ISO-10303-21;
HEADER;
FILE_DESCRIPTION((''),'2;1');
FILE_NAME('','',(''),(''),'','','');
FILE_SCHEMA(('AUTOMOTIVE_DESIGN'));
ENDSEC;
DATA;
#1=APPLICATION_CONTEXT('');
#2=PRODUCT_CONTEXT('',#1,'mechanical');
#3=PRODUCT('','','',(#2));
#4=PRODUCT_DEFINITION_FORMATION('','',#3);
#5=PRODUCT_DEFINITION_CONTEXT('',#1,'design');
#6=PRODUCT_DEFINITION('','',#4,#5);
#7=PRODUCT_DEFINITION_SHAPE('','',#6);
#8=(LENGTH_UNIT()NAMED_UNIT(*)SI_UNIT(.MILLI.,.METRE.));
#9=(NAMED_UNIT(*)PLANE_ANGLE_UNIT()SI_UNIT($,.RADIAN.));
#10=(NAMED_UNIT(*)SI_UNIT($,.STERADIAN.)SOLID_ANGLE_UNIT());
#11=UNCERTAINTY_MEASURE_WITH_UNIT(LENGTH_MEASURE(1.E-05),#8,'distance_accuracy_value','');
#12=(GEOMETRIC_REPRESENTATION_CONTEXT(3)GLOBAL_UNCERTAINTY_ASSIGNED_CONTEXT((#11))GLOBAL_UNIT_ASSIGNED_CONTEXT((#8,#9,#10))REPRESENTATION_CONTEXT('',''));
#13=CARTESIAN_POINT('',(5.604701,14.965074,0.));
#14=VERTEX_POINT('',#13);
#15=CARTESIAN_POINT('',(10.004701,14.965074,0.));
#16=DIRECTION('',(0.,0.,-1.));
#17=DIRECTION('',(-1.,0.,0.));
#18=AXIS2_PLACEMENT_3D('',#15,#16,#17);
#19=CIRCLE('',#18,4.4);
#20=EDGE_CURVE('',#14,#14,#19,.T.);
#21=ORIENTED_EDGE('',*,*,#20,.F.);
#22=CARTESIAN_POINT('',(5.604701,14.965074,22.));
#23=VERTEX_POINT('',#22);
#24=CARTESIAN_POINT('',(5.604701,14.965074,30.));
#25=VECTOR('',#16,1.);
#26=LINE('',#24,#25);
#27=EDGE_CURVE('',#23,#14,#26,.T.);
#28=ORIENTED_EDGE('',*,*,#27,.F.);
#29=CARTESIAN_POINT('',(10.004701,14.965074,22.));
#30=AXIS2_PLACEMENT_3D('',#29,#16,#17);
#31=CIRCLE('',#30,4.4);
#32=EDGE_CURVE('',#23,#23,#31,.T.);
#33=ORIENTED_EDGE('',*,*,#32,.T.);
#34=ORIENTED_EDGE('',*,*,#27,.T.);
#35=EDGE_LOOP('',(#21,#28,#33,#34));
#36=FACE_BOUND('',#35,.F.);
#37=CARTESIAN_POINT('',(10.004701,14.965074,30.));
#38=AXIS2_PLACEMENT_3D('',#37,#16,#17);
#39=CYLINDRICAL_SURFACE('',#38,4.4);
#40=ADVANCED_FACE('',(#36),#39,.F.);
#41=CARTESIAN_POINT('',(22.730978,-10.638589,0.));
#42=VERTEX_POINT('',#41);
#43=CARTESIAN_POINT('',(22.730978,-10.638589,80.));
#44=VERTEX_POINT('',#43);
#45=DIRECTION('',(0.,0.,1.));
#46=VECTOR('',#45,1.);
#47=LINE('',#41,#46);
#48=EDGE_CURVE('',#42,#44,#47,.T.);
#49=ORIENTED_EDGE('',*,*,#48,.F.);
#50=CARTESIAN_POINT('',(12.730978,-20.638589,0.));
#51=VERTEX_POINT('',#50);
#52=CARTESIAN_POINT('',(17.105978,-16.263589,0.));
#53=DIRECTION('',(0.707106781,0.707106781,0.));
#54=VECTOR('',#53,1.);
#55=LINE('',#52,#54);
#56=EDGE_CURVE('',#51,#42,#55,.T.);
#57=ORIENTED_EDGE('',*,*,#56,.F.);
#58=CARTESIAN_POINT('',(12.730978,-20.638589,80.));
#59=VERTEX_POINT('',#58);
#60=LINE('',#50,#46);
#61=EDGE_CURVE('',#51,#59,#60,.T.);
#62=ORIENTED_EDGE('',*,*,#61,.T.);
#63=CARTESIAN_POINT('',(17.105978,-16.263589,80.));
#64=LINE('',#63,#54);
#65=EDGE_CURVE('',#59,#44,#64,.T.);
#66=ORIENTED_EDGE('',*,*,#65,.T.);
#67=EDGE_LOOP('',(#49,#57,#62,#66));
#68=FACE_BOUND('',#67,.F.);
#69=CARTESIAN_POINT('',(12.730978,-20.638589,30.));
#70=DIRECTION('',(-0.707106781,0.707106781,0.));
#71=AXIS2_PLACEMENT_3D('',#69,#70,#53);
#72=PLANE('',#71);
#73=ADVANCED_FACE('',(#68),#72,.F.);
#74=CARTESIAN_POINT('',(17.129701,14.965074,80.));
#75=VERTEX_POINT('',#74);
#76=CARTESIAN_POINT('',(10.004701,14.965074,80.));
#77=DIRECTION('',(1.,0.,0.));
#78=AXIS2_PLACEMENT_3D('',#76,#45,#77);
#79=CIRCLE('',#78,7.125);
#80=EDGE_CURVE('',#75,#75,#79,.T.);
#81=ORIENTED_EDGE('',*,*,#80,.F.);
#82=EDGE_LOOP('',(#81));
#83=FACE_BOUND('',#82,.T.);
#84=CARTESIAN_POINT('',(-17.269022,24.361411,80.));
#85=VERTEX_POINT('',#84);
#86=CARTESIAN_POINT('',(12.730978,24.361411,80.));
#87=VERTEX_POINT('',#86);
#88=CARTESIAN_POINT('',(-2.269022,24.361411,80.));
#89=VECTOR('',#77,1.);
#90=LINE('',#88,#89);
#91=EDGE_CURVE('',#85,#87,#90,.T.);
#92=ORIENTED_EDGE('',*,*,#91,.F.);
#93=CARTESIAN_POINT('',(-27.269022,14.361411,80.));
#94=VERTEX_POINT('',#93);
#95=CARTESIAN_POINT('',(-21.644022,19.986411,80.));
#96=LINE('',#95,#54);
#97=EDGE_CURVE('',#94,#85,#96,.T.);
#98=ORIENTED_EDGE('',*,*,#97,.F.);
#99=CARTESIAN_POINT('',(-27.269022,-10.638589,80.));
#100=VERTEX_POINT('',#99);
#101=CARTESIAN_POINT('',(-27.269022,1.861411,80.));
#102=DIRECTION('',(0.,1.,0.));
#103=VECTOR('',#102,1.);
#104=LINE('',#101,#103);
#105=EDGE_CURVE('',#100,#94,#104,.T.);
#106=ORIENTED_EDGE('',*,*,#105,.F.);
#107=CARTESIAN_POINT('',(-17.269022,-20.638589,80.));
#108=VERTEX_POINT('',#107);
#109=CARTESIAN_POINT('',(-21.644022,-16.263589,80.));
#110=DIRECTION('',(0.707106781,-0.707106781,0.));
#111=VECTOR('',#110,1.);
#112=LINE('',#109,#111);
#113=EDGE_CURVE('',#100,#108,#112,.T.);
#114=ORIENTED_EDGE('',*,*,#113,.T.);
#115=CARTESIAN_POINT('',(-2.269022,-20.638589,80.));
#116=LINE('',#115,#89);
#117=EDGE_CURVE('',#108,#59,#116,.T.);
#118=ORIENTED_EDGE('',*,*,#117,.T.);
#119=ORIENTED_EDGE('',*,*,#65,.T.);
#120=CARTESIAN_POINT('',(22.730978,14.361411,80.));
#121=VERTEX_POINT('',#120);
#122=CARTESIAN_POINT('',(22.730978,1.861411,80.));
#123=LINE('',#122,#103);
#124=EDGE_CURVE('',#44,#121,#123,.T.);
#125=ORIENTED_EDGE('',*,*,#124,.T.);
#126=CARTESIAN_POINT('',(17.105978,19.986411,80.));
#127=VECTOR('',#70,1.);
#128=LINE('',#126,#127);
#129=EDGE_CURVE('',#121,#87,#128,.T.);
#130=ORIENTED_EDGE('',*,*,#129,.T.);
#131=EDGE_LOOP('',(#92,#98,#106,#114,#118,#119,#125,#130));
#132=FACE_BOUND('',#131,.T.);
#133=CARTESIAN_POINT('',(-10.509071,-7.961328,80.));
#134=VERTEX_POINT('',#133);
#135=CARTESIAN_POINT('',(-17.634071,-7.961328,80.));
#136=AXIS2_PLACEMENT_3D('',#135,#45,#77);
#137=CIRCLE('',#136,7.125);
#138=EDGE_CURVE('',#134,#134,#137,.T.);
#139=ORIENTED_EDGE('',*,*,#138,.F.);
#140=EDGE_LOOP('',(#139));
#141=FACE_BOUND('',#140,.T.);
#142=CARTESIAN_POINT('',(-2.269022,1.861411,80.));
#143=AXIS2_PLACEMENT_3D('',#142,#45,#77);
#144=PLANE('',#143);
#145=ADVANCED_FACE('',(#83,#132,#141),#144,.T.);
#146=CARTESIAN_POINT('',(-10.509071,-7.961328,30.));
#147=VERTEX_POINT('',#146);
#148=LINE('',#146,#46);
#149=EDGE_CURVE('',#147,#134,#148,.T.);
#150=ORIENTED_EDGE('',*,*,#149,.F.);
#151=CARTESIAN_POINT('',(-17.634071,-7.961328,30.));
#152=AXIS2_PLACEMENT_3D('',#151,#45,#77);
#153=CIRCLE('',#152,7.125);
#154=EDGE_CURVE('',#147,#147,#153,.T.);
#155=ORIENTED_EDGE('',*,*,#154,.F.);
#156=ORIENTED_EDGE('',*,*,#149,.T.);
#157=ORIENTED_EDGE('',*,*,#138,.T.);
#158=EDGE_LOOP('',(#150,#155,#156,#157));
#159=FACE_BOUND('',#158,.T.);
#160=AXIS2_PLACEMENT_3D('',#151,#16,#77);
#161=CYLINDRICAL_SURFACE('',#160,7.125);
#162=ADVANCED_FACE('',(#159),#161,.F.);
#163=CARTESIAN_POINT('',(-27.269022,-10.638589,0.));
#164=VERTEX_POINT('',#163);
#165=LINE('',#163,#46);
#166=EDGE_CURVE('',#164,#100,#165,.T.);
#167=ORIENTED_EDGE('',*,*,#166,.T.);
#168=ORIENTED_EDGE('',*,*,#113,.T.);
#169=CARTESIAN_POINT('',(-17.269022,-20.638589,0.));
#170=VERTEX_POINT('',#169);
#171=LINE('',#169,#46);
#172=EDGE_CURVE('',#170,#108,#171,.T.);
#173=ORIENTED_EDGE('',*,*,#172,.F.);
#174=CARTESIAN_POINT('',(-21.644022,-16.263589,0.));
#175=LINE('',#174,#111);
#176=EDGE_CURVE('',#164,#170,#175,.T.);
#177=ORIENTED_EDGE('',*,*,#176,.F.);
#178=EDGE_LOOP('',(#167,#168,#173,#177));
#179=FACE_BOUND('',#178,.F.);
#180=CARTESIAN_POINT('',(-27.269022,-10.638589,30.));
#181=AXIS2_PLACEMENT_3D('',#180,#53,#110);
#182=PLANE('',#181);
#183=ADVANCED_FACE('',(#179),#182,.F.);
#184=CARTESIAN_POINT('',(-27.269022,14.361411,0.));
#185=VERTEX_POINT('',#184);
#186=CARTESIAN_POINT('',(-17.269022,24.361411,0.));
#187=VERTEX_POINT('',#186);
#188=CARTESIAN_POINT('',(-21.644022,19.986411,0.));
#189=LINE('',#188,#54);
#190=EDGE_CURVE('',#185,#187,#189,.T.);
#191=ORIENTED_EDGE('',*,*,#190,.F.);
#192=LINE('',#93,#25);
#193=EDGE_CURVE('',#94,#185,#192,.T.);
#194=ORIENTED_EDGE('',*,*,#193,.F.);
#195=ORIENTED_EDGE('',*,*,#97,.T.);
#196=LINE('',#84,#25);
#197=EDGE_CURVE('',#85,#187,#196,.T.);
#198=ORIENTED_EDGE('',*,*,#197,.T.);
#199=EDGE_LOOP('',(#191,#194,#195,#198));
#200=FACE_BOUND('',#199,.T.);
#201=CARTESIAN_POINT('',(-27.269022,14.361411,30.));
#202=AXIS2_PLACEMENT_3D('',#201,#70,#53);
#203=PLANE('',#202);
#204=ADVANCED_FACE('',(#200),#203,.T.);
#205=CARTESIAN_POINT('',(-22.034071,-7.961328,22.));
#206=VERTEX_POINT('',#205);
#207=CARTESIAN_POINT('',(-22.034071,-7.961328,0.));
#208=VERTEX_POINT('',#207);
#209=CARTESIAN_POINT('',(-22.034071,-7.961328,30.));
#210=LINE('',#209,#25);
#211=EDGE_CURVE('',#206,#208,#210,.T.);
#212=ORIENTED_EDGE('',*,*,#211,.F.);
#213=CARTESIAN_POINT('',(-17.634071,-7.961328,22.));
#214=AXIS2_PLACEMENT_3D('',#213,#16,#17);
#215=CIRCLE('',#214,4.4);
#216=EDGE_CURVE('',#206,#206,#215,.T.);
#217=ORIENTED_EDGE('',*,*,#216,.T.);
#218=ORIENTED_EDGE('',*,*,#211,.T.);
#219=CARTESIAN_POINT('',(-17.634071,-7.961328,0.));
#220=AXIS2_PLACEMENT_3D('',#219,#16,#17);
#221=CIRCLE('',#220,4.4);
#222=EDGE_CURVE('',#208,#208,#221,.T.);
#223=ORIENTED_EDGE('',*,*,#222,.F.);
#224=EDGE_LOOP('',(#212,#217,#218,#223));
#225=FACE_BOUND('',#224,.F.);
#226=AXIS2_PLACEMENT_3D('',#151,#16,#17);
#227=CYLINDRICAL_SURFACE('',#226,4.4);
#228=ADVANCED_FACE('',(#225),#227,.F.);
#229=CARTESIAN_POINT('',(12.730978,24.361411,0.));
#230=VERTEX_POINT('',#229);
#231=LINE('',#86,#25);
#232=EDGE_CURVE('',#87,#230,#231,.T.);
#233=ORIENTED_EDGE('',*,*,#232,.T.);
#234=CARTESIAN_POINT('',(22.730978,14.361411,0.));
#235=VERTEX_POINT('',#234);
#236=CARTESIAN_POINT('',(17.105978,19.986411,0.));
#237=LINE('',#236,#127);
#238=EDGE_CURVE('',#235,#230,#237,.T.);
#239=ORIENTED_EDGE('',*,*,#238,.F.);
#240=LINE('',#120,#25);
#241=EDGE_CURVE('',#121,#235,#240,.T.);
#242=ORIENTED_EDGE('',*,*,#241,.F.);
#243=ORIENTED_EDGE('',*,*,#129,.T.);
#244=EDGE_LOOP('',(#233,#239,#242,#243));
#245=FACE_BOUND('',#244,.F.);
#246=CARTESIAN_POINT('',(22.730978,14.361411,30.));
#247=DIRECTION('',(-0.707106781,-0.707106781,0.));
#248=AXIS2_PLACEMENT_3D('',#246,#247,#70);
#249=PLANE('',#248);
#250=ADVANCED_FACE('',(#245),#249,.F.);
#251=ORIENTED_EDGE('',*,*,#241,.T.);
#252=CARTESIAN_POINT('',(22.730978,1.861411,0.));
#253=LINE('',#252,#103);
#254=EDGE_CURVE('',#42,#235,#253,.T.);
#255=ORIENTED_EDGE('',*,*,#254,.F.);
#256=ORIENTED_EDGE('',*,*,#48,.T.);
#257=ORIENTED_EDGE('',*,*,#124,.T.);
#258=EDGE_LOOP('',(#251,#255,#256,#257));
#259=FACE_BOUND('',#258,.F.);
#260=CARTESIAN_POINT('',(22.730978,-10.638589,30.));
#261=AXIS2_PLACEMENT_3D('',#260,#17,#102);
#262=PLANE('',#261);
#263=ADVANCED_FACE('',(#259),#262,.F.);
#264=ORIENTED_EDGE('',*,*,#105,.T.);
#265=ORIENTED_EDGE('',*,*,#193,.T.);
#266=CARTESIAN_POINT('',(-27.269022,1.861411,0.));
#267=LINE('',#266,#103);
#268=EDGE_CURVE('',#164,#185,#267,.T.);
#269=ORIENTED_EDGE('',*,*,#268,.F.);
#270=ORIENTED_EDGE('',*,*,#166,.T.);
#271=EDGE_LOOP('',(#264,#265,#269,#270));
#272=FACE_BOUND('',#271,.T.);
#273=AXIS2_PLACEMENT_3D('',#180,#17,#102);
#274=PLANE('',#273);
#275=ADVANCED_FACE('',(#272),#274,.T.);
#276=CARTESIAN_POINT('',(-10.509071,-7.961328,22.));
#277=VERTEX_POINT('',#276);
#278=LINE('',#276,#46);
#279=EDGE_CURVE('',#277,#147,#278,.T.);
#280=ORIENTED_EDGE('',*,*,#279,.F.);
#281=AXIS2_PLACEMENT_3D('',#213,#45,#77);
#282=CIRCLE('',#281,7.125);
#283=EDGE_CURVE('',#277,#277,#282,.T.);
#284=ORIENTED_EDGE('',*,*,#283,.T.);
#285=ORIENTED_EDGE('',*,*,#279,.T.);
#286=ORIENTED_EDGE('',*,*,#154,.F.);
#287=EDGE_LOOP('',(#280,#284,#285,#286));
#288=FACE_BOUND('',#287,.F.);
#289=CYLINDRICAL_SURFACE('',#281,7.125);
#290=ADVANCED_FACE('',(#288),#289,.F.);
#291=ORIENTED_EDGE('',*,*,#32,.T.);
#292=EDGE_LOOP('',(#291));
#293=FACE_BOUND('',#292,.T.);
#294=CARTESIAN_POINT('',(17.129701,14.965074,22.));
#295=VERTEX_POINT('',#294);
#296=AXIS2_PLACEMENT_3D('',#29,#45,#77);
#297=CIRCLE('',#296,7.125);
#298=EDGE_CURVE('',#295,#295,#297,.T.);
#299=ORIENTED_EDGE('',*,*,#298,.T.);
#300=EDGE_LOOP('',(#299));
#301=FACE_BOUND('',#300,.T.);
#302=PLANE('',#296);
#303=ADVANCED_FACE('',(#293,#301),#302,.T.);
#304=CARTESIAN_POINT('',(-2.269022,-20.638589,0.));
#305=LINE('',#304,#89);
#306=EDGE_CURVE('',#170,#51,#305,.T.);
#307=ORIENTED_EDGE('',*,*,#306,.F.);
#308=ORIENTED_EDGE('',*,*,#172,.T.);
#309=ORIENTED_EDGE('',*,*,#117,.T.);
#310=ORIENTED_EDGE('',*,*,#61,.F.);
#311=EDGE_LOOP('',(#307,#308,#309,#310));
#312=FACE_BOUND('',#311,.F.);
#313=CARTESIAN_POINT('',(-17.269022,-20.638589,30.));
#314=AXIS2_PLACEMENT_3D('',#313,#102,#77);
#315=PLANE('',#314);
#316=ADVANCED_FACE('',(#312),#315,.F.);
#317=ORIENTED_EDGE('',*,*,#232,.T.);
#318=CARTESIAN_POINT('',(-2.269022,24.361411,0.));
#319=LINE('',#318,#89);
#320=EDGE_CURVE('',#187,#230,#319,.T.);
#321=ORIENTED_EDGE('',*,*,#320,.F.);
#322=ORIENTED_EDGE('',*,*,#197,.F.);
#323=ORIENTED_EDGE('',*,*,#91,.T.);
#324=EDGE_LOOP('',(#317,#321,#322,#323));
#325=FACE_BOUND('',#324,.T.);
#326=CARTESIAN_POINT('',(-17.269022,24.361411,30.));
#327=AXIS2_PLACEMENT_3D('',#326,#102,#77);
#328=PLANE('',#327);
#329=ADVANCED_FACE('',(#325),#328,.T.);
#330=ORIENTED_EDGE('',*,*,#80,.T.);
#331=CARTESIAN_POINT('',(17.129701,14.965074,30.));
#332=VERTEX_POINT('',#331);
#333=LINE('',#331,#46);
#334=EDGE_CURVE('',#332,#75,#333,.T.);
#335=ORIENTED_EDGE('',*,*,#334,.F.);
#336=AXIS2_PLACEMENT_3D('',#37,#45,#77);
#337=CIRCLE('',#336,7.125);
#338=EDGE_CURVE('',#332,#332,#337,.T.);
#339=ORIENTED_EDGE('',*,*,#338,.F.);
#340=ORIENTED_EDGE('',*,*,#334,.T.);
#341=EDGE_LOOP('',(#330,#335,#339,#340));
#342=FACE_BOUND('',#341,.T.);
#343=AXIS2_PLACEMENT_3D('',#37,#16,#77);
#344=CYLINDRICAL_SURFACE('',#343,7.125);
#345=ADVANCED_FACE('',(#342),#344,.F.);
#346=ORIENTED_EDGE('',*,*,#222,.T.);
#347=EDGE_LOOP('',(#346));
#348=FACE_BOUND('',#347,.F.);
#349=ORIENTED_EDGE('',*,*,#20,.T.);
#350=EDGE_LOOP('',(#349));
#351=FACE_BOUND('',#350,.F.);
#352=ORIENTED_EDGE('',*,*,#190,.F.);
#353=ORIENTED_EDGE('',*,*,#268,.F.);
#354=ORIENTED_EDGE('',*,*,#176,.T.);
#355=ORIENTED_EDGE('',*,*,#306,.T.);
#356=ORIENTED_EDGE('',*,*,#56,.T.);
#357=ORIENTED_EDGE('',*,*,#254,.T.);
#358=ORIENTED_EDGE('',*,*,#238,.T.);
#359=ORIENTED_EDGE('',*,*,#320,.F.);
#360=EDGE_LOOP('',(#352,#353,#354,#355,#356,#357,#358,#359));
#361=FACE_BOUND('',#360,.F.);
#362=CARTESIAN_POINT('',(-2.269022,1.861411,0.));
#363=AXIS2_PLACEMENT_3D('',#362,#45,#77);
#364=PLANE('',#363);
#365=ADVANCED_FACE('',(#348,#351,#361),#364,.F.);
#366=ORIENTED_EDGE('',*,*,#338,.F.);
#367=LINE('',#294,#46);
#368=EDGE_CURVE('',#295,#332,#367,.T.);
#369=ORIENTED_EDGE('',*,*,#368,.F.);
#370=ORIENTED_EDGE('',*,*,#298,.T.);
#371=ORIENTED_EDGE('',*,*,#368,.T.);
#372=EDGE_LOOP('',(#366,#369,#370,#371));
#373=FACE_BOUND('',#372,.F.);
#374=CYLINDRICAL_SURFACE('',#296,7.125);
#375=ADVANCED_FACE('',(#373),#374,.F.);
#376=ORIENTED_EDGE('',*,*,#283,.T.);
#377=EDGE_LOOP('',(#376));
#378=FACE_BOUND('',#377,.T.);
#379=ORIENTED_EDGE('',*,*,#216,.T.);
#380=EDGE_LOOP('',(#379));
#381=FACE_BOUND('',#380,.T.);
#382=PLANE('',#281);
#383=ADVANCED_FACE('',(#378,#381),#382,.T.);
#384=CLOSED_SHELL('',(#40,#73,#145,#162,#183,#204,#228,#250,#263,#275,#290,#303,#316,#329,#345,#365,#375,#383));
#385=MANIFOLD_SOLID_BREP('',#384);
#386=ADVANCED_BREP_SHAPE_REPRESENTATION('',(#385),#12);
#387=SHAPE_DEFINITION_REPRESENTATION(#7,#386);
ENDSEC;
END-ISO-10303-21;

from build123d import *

# Parameters (mm, degrees)
F0_W           = 50
F0_H           = 45
F1_DEPTH       = 30
F2_SIZE        = 10
F4_D           = 8.8
F4_CBORE_D     = 14.25
F4_CBORE_DEPTH = 8
F5_DEPTH       = 50


with BuildPart() as f1:
    # F0 (on Top) → F1 (new body)
    with BuildSketch(Plane.XY):
        with Locations((-2.2690217942, 1.8614111841)):
            Rectangle(F0_W, F0_H)
    extrude(amount=F1_DEPTH)

    # F2
    f2_edges = [f1.edges().sort_by_distance(p)[0] for p in [
        (-27.269022, 24.361411, 15),
        (22.730978, -20.638589, 15),
        (22.730978, 24.361411, 15),
        (-27.269022, -20.638589, 15),
    ]]
    chamfer(f2_edges, length=F2_SIZE)

    # F4 (through all)
    with Locations(Plane.XY.offset(30)):
        with Locations((-17.6340711126, -7.961328021), (10.0047006537, 14.9650736012)):
            CounterBoreHole(F4_D / 2, F4_CBORE_D / 2, F4_CBORE_DEPTH)

    # F5 (add): a face of the model
    f5_faces = [f1.faces().sort_by_distance(p)[0] for p in [
        (-1.9842087331, 1.5591300529, 30),
    ]]
    extrude(f5_faces, amount=F5_DEPTH)


solid = f1.part
